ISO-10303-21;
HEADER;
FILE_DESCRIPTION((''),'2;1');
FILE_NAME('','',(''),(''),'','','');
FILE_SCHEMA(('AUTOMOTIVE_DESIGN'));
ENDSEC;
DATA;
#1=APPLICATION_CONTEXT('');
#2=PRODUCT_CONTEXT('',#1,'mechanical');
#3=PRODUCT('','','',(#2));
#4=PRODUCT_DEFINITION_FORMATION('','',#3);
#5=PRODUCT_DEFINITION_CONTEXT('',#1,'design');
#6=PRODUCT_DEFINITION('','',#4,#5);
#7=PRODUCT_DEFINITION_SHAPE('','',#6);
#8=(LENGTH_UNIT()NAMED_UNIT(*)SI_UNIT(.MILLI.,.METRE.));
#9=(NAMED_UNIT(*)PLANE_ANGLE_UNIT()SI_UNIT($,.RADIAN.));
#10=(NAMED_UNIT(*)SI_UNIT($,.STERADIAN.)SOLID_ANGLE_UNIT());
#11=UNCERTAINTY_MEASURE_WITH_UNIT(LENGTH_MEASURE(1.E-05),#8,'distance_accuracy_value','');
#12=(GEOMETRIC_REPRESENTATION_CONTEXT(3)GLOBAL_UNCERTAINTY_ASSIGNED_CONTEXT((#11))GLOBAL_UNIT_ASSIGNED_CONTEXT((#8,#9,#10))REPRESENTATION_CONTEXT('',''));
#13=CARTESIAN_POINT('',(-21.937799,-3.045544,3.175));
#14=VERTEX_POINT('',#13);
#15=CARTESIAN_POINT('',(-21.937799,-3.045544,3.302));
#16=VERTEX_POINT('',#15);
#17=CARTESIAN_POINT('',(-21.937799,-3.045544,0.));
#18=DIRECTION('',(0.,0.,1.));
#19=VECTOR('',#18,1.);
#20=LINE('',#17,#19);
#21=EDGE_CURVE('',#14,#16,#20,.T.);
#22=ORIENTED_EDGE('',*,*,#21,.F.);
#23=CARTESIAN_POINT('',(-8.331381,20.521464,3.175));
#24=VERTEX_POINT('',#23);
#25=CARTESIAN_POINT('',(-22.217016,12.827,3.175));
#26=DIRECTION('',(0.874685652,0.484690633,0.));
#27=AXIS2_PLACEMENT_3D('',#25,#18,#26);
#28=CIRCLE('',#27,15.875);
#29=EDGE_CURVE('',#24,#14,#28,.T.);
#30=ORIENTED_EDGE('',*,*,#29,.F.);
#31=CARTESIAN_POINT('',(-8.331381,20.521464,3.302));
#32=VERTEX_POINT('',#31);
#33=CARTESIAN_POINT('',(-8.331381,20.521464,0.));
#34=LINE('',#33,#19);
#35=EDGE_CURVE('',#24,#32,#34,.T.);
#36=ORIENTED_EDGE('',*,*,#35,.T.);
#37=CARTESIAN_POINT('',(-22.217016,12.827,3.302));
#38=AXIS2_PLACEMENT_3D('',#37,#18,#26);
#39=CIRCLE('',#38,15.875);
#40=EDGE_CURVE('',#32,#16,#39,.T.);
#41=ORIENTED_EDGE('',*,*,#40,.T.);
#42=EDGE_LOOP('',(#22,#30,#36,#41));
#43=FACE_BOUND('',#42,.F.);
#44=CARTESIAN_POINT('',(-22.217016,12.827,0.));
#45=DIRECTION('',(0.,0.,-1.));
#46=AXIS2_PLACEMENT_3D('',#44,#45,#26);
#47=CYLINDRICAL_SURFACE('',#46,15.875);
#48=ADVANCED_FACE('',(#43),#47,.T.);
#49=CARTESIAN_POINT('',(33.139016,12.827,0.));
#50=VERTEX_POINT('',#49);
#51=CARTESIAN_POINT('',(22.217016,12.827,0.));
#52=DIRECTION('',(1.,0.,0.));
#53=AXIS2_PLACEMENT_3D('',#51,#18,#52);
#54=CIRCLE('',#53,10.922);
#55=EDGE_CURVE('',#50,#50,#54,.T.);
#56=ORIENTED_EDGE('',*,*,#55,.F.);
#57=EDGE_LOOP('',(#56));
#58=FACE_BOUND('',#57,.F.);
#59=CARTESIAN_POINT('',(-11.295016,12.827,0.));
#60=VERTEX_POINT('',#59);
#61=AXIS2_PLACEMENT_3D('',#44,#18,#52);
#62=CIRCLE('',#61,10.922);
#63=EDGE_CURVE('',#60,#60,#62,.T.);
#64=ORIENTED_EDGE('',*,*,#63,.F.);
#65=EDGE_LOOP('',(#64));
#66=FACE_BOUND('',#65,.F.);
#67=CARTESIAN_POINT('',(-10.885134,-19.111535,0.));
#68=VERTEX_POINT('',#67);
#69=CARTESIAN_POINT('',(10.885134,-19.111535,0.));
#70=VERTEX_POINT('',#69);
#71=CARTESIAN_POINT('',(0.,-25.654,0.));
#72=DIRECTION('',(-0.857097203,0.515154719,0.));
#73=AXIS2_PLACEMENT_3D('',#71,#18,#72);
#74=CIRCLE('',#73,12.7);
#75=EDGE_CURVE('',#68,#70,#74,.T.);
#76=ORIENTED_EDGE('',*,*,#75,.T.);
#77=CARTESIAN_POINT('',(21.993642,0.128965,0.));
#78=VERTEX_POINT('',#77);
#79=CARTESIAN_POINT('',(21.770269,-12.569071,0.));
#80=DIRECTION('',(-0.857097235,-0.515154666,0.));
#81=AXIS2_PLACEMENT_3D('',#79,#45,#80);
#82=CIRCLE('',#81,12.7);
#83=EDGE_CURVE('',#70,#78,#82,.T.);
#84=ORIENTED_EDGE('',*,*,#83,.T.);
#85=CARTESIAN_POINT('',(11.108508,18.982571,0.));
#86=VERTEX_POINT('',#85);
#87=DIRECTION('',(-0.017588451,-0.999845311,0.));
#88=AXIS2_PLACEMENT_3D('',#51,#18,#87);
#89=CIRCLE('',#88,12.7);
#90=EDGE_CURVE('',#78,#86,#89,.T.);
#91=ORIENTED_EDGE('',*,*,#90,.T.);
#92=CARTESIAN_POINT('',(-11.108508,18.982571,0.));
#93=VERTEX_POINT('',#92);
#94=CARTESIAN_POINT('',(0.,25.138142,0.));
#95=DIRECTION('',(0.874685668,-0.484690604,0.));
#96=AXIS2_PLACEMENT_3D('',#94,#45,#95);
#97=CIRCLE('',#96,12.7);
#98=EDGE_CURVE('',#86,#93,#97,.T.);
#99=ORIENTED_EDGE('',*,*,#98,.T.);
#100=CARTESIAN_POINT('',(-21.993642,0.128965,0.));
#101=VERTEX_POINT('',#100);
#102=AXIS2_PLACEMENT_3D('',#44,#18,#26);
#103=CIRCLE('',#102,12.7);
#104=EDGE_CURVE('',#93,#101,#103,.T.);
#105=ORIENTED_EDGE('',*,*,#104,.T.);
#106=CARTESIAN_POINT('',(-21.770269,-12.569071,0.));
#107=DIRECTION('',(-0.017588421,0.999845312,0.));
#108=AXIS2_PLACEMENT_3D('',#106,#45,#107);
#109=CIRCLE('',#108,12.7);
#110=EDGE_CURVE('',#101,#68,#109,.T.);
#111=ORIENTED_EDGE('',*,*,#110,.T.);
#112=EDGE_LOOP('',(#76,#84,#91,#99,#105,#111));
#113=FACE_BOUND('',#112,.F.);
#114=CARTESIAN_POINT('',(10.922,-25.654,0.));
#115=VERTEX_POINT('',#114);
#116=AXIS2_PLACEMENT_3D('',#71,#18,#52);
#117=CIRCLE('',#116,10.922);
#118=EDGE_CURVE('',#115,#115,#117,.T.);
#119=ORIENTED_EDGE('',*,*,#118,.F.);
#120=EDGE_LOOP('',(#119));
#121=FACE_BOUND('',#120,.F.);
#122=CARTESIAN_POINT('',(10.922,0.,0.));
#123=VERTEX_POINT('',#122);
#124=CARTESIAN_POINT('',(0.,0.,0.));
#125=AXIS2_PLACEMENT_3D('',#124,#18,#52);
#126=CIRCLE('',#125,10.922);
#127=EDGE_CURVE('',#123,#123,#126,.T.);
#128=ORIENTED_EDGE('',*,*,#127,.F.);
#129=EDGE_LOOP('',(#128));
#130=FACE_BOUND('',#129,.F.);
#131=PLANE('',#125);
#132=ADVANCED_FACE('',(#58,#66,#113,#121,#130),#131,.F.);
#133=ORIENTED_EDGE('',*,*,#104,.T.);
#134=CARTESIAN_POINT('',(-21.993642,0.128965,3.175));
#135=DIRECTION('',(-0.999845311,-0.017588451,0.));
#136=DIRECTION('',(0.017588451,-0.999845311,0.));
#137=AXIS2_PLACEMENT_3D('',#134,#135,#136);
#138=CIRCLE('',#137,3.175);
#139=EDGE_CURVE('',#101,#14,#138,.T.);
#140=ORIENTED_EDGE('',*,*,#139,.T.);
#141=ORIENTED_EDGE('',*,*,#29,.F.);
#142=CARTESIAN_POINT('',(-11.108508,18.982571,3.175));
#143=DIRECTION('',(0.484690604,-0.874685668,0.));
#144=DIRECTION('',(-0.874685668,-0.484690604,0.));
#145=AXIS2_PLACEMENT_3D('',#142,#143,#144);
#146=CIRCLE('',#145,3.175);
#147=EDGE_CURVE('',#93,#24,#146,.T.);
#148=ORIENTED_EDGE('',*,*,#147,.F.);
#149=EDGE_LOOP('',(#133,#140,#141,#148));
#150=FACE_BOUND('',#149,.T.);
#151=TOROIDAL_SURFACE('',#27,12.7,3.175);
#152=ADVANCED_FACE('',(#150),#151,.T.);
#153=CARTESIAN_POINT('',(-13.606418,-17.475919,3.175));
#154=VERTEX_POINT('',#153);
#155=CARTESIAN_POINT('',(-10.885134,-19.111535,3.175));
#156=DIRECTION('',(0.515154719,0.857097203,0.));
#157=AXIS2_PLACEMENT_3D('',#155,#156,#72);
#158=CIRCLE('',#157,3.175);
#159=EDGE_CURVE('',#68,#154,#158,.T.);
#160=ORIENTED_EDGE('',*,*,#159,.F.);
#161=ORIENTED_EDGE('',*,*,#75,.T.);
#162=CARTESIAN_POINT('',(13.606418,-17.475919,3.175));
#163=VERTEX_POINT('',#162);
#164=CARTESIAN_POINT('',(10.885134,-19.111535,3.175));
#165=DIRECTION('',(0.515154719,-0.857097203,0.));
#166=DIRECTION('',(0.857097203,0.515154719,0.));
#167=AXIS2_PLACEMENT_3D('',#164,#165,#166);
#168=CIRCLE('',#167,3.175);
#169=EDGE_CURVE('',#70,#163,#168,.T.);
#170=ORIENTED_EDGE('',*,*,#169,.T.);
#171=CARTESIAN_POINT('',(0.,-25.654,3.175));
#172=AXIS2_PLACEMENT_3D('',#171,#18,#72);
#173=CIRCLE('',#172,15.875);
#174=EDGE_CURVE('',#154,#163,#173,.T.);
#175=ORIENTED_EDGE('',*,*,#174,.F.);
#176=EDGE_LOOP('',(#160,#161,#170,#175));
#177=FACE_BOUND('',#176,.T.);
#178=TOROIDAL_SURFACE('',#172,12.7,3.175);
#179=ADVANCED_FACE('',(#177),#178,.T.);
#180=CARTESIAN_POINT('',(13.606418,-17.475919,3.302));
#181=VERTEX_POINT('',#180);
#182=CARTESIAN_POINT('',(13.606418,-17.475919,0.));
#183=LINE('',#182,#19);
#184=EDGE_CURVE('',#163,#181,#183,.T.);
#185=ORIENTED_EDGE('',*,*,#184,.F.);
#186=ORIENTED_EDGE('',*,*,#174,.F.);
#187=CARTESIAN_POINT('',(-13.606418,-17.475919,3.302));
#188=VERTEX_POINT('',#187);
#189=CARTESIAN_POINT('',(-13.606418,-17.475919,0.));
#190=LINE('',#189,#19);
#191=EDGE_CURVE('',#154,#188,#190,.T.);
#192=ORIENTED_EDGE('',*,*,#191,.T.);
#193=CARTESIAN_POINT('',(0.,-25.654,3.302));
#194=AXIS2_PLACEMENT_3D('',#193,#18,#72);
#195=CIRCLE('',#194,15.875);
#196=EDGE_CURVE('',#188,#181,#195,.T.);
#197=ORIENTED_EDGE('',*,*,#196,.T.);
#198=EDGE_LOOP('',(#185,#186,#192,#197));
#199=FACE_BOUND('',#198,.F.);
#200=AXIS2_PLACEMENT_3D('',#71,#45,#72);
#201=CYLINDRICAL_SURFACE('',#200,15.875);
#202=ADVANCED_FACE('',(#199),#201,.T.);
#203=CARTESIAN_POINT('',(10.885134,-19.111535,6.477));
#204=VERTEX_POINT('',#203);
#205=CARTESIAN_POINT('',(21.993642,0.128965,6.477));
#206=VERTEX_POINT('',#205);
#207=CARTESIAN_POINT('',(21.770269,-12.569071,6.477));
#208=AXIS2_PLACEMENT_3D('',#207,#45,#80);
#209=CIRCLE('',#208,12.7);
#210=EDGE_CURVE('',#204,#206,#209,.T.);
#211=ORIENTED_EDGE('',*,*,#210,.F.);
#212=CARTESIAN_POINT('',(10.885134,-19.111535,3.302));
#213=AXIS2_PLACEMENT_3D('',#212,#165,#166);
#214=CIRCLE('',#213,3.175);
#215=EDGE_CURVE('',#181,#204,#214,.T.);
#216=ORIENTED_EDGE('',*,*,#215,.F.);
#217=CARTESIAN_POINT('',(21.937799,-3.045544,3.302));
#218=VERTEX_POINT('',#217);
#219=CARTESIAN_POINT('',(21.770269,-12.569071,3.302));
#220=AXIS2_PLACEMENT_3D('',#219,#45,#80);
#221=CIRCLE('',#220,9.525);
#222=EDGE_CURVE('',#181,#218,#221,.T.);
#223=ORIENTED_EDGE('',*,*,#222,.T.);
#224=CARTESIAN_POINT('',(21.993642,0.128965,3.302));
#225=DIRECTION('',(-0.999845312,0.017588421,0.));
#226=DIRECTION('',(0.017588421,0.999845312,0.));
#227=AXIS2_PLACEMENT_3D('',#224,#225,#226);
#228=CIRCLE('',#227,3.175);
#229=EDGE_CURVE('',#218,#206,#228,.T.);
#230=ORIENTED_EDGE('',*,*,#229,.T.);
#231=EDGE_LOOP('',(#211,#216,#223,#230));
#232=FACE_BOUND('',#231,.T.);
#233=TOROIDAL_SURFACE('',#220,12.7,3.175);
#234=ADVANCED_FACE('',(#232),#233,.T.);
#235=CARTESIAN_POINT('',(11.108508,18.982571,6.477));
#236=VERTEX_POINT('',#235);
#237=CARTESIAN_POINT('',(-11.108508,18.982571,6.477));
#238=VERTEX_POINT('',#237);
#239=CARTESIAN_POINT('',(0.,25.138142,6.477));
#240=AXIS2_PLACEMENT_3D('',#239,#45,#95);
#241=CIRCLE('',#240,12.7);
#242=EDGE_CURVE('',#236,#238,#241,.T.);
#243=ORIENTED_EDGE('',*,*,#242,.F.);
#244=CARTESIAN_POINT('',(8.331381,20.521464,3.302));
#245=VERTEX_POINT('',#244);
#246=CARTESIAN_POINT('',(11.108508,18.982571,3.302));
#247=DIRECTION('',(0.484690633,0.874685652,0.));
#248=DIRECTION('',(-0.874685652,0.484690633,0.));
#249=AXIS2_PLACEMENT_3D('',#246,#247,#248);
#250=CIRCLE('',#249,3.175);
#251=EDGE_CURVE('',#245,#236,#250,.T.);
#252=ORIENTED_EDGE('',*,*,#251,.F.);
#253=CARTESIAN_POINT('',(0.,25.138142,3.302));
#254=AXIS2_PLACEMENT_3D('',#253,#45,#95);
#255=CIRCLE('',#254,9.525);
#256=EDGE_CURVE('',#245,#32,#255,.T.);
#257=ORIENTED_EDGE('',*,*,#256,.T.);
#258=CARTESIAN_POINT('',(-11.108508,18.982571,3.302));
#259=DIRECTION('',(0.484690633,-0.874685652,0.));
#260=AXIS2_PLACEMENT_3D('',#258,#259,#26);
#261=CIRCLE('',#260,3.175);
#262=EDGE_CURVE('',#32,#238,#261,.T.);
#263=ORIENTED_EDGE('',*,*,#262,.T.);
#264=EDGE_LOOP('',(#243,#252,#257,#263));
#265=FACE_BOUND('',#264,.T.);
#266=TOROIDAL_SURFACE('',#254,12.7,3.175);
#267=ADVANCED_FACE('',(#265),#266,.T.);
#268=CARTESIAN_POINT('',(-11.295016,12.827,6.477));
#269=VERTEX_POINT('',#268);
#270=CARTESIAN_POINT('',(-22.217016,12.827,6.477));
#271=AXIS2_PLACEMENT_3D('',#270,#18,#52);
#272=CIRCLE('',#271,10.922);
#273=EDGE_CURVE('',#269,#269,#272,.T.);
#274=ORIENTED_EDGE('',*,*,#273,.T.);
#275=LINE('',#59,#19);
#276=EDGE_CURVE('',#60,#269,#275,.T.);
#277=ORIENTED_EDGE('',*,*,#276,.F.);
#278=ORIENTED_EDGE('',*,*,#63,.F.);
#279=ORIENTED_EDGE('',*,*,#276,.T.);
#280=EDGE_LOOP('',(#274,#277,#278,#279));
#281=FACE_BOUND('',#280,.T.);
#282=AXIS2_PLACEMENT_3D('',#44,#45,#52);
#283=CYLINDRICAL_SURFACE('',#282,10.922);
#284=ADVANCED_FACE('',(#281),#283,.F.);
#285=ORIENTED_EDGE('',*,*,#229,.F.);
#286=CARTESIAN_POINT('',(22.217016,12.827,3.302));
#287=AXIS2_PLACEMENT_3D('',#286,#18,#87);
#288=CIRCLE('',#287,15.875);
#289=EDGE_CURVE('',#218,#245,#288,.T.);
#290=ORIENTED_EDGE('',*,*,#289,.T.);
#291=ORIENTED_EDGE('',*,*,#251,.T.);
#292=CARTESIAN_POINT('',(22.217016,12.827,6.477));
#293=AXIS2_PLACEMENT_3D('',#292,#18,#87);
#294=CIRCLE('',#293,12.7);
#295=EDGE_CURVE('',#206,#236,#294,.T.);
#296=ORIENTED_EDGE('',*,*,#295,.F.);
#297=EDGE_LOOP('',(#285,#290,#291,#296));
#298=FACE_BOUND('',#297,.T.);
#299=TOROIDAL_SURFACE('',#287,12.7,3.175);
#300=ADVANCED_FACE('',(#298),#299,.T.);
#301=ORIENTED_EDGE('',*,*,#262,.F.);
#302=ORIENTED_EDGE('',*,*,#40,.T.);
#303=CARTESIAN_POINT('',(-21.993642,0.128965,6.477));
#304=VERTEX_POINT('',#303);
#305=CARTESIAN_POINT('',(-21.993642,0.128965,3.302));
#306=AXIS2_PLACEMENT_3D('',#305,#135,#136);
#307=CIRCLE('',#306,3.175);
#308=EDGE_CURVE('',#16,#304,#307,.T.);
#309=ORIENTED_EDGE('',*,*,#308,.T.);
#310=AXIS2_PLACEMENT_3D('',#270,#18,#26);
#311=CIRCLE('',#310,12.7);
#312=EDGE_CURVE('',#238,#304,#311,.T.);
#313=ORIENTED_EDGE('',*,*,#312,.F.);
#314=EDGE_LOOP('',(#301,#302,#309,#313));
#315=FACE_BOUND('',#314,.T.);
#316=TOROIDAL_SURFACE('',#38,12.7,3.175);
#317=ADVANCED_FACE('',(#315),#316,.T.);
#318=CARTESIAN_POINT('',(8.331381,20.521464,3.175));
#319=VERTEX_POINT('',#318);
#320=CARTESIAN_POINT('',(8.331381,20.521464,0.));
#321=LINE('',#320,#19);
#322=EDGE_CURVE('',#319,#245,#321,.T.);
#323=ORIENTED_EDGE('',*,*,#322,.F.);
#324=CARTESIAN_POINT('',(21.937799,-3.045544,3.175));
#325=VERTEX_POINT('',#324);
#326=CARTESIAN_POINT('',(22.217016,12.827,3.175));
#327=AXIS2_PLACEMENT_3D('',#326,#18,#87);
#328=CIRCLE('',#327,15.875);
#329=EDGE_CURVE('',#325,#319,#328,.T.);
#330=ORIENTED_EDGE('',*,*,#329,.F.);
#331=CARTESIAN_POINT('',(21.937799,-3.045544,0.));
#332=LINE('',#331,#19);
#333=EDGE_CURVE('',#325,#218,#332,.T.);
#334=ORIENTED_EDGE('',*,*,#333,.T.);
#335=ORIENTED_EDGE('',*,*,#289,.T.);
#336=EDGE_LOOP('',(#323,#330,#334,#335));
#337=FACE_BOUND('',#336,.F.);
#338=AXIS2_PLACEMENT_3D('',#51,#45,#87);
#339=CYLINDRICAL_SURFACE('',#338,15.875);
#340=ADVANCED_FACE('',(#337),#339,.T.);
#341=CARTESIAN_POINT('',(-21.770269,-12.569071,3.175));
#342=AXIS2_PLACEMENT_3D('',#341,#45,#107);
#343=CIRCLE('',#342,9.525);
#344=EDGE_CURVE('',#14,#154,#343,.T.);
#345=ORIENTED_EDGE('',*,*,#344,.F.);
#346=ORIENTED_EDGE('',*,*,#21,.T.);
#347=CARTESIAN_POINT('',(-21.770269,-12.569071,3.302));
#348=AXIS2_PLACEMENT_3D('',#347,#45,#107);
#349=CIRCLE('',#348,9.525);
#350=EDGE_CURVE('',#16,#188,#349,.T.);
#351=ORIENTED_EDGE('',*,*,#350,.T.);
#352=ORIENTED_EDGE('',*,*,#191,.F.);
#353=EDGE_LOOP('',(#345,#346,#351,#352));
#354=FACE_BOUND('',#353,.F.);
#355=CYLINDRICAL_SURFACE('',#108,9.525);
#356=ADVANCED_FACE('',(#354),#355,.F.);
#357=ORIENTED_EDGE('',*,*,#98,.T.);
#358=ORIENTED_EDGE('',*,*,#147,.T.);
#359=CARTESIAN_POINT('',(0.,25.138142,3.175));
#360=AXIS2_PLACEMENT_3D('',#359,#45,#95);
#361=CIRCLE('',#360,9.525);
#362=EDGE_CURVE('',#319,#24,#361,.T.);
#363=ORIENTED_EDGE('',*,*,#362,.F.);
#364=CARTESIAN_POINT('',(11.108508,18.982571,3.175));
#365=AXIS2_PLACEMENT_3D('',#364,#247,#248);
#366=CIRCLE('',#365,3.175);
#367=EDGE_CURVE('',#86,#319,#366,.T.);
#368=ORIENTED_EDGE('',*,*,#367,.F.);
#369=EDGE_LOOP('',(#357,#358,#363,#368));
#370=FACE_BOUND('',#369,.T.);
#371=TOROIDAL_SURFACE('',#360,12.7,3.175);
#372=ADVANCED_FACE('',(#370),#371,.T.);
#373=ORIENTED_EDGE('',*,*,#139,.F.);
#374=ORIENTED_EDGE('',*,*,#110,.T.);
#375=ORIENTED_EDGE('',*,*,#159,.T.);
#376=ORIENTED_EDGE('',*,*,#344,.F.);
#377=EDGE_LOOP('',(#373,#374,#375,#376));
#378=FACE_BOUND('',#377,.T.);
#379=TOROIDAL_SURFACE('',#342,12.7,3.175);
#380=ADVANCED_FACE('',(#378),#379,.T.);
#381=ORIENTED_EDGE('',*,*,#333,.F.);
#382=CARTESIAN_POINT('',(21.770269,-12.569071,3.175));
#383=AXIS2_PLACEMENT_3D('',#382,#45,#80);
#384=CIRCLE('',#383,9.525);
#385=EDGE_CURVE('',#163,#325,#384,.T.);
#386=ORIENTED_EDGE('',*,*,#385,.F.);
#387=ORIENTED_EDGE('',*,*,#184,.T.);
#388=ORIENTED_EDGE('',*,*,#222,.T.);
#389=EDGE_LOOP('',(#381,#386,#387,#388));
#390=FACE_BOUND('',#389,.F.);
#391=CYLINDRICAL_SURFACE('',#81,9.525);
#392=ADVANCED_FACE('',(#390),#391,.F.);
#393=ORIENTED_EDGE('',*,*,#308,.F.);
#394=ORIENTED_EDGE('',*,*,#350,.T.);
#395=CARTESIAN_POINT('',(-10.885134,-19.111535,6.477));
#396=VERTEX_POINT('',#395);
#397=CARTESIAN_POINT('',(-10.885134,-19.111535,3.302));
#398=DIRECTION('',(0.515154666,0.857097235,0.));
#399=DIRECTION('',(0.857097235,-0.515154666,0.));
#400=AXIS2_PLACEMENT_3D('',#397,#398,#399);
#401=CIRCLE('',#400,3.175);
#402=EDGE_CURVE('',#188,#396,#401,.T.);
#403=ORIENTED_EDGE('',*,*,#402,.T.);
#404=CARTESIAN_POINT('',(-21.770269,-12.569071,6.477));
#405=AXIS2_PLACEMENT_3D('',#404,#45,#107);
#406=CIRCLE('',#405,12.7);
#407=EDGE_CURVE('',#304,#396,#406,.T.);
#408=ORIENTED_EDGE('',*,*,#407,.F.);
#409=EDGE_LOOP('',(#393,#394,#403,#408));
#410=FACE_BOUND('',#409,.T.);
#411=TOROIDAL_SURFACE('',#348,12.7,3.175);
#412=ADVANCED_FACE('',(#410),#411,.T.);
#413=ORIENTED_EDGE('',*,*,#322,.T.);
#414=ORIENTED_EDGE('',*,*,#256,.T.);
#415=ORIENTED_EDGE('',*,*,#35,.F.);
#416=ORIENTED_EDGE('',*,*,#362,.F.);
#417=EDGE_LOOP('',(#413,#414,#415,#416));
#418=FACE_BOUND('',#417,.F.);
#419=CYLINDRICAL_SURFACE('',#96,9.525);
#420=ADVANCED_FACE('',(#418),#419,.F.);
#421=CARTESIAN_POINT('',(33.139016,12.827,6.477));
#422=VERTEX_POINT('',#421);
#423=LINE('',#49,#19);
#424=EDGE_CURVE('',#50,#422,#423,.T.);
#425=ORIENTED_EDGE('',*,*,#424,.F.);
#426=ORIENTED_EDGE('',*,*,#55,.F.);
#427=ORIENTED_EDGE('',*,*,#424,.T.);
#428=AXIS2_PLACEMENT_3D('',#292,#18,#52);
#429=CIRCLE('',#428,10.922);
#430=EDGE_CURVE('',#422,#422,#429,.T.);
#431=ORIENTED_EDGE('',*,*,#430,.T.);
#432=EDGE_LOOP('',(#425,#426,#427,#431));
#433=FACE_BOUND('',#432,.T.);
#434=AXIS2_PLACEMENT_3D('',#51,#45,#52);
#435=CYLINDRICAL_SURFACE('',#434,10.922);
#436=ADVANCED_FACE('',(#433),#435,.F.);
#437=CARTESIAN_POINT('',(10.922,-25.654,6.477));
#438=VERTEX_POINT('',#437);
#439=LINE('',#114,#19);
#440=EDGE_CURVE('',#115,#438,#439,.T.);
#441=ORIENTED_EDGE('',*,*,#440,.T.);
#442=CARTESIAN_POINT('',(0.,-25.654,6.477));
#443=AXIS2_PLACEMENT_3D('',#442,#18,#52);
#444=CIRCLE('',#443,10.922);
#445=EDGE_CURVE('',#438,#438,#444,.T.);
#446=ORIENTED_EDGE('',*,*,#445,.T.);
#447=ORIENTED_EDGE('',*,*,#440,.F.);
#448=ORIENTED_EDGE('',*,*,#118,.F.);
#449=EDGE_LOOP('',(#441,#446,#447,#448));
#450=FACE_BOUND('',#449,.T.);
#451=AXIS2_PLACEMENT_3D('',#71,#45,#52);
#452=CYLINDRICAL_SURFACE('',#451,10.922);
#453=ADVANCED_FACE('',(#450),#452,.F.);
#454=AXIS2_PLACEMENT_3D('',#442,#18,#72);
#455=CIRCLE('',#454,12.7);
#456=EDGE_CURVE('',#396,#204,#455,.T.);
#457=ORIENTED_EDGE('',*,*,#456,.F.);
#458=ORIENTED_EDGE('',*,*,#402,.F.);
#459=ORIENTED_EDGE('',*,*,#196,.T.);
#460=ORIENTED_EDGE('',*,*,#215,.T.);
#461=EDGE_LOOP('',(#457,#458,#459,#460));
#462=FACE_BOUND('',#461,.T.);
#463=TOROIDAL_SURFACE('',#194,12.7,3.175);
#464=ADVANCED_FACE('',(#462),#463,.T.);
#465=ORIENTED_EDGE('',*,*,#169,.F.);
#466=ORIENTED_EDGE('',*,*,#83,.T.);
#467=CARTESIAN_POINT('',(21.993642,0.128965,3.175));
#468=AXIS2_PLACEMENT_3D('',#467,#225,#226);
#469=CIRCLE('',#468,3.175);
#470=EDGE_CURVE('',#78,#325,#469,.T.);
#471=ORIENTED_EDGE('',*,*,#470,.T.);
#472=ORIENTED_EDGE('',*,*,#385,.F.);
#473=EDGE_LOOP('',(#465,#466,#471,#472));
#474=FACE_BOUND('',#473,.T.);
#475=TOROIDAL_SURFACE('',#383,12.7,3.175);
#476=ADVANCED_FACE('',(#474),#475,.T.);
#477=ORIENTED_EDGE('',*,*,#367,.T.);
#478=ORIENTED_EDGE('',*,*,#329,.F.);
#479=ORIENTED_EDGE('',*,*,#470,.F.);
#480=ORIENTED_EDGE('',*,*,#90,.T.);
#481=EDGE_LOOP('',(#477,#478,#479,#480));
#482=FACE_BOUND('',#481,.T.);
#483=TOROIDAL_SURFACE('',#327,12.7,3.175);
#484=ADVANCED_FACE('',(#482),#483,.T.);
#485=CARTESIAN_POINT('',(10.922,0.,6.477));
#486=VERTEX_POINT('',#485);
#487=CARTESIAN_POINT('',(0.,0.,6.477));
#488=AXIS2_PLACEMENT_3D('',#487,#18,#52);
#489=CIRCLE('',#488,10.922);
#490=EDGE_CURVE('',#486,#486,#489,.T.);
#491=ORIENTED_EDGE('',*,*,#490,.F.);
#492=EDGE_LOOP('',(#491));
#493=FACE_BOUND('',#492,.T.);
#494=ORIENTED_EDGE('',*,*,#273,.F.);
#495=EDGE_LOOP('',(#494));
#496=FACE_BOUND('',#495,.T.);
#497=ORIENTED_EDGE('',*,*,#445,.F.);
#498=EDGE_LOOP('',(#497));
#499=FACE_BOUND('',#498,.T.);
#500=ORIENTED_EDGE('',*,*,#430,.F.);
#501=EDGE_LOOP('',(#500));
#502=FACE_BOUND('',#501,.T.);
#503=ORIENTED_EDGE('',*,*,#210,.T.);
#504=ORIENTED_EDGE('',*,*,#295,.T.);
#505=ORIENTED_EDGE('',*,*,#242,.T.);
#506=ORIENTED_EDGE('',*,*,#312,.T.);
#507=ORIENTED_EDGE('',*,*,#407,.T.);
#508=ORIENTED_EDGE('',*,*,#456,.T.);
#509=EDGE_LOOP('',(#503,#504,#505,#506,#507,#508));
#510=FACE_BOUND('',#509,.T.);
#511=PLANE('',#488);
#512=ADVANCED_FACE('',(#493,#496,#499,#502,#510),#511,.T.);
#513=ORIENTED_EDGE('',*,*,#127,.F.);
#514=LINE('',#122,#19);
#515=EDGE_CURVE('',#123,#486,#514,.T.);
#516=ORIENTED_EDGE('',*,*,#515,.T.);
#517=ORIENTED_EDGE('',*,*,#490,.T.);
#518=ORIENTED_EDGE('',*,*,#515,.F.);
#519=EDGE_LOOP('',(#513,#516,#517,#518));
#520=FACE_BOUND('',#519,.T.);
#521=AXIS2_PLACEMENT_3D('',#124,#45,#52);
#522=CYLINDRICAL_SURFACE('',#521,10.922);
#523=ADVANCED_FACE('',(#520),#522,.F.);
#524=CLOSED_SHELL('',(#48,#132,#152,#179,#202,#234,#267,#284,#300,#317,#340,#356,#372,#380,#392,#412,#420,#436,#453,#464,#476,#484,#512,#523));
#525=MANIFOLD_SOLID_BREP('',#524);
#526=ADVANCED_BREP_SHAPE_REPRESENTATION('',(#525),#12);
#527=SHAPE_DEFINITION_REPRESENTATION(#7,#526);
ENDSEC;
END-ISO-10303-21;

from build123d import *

# Parameters (mm, degrees)
F0_R     = 10.922
F1_DEPTH = 6.477
F2_R     = 3.175
F3_R     = 3.175


with BuildPart() as f1:
    # F0 (on Top) → F1 (new body)
    with BuildSketch(Plane.XY):
        with BuildLine():
            ThreePointArc((8.331381, 20.521464), (0, 15.613142), (-8.331381, 20.521464))
            ThreePointArc((-8.331381, 20.521464), (-35.965169, 20.7645), (-21.937799, -3.045544))
            ThreePointArc((-21.937799, -3.045544), (-13.521377, -7.806571), (-13.606418, -17.475919))
            ThreePointArc((-13.606418, -17.475919), (0, -41.529), (13.606418, -17.475919))
            ThreePointArc((13.606418, -17.475919), (13.521377, -7.806571), (21.937799, -3.045544))
            ThreePointArc((21.937799, -3.045544), (35.965169, 20.7645), (8.331381, 20.521464))
        make_face()
        with Locations((0, -25.654)):
            Circle(F0_R, mode=Mode.SUBTRACT)
        with Locations((-22.217016, 12.827)):
            Circle(F0_R, mode=Mode.SUBTRACT)
        Circle(F0_R, mode=Mode.SUBTRACT)
        with Locations((22.217016, 12.827)):
            Circle(F0_R, mode=Mode.SUBTRACT)
    extrude(amount=F1_DEPTH)

    # F2
    f2_edges = [f1.edges().sort_by_distance(p)[0] for p in [
        (-35.965169, 20.7645, 6.477),
    ]]
    fillet(f2_edges, radius=F2_R)

    # F3
    f3_edges = [f1.edges().sort_by_distance(p)[0] for p in [
        (0, -41.529, 0),
    ]]
    fillet(f3_edges, radius=F3_R)


solid = f1.part
